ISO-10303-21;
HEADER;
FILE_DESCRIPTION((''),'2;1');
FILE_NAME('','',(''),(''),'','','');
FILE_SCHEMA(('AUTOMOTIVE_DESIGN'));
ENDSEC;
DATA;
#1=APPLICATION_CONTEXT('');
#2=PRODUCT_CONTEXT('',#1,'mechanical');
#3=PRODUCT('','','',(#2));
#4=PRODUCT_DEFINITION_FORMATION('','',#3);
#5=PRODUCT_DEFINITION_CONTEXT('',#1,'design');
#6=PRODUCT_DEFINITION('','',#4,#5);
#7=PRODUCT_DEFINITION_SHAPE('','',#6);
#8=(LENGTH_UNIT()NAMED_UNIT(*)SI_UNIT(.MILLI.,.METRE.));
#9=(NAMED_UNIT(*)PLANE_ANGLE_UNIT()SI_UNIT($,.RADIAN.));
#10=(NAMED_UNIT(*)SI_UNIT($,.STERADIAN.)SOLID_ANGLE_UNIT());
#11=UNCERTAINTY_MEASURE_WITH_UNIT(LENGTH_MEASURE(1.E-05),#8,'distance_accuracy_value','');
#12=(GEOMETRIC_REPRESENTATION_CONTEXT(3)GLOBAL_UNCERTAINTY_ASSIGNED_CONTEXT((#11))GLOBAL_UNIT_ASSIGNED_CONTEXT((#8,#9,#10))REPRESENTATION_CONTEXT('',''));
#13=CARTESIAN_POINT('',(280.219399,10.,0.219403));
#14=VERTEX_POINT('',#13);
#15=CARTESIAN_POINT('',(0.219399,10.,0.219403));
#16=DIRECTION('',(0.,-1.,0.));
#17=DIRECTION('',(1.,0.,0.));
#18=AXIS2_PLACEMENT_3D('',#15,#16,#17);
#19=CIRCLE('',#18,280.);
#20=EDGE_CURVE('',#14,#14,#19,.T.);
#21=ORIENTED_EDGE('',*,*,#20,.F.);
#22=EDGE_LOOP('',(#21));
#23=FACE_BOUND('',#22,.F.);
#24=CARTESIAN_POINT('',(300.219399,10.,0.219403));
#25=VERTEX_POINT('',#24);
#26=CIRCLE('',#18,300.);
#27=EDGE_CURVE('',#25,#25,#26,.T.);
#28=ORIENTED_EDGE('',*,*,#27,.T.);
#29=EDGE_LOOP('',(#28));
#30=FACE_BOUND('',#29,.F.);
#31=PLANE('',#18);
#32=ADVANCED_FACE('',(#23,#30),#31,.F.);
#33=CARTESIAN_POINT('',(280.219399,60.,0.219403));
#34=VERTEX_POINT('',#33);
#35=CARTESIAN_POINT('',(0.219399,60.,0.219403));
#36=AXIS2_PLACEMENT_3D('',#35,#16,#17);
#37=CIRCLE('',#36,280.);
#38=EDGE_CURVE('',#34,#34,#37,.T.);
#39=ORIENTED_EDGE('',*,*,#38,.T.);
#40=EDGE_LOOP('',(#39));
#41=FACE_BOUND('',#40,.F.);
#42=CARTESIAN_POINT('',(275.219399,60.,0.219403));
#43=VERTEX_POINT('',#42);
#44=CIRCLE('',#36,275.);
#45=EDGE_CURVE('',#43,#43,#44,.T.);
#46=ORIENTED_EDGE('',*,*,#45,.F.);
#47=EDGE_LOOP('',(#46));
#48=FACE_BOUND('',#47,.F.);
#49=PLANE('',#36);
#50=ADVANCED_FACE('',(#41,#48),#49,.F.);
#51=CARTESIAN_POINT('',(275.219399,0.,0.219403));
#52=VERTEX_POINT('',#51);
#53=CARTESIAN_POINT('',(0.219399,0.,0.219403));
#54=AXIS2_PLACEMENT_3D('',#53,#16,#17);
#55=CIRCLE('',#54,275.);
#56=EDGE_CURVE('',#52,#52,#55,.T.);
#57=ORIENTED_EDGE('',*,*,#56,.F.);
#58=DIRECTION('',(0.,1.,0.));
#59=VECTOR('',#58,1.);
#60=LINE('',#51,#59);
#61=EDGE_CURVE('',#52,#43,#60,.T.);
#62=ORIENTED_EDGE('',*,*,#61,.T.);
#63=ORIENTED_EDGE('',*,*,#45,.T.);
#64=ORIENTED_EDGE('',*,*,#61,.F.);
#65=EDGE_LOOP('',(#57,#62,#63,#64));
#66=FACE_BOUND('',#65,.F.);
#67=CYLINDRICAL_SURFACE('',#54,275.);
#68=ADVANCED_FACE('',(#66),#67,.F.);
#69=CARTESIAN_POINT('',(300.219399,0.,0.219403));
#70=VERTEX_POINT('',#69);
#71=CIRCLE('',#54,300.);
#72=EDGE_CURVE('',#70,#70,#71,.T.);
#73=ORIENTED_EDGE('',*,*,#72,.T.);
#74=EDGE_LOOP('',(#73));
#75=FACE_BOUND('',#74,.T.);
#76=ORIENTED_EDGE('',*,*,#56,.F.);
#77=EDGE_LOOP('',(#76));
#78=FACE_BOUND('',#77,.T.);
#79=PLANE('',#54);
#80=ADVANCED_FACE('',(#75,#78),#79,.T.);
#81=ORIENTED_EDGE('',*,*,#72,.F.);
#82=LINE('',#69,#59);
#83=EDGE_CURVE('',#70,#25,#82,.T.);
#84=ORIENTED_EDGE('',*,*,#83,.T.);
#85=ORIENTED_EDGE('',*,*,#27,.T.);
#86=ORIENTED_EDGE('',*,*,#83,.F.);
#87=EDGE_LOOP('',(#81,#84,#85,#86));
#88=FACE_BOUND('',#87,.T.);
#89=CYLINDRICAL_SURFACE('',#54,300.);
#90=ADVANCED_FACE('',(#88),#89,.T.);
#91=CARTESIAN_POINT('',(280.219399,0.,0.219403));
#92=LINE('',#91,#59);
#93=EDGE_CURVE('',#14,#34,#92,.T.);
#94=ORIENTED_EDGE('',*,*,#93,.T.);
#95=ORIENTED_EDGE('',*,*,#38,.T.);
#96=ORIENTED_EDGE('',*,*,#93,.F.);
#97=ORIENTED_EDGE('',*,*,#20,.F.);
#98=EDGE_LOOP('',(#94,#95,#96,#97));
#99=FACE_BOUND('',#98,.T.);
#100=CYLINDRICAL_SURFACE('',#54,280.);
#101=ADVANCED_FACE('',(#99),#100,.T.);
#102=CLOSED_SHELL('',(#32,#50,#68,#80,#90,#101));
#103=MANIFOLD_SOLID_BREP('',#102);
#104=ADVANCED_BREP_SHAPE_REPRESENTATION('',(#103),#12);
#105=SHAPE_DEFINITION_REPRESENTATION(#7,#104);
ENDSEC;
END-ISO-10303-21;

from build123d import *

# Parameters (mm, degrees)
F0_R     = 300
F0_R_2   = 280
F1_DEPTH = 10
F0_R_3   = 275
F2_DEPTH = 60


with BuildPart() as f1:
    # F0 (on Front) → F1 (new body)
    with BuildSketch(Plane.XZ):
        with Locations((0.219399, 0.219403)):
            Circle(F0_R)
        with Locations((0.219399, 0.219403)):
            Circle(F0_R_2, mode=Mode.SUBTRACT)
    extrude(amount=-F1_DEPTH)

    # F0 (on Front) → F2 (join)
    with BuildSketch(Plane.XZ):
        with Locations((0.219399, 0.219403)):
            Circle(F0_R_2)
        with Locations((0.219399, 0.219403)):
            Circle(F0_R_3, mode=Mode.SUBTRACT)
    extrude(amount=-F2_DEPTH)


solid = f1.part
